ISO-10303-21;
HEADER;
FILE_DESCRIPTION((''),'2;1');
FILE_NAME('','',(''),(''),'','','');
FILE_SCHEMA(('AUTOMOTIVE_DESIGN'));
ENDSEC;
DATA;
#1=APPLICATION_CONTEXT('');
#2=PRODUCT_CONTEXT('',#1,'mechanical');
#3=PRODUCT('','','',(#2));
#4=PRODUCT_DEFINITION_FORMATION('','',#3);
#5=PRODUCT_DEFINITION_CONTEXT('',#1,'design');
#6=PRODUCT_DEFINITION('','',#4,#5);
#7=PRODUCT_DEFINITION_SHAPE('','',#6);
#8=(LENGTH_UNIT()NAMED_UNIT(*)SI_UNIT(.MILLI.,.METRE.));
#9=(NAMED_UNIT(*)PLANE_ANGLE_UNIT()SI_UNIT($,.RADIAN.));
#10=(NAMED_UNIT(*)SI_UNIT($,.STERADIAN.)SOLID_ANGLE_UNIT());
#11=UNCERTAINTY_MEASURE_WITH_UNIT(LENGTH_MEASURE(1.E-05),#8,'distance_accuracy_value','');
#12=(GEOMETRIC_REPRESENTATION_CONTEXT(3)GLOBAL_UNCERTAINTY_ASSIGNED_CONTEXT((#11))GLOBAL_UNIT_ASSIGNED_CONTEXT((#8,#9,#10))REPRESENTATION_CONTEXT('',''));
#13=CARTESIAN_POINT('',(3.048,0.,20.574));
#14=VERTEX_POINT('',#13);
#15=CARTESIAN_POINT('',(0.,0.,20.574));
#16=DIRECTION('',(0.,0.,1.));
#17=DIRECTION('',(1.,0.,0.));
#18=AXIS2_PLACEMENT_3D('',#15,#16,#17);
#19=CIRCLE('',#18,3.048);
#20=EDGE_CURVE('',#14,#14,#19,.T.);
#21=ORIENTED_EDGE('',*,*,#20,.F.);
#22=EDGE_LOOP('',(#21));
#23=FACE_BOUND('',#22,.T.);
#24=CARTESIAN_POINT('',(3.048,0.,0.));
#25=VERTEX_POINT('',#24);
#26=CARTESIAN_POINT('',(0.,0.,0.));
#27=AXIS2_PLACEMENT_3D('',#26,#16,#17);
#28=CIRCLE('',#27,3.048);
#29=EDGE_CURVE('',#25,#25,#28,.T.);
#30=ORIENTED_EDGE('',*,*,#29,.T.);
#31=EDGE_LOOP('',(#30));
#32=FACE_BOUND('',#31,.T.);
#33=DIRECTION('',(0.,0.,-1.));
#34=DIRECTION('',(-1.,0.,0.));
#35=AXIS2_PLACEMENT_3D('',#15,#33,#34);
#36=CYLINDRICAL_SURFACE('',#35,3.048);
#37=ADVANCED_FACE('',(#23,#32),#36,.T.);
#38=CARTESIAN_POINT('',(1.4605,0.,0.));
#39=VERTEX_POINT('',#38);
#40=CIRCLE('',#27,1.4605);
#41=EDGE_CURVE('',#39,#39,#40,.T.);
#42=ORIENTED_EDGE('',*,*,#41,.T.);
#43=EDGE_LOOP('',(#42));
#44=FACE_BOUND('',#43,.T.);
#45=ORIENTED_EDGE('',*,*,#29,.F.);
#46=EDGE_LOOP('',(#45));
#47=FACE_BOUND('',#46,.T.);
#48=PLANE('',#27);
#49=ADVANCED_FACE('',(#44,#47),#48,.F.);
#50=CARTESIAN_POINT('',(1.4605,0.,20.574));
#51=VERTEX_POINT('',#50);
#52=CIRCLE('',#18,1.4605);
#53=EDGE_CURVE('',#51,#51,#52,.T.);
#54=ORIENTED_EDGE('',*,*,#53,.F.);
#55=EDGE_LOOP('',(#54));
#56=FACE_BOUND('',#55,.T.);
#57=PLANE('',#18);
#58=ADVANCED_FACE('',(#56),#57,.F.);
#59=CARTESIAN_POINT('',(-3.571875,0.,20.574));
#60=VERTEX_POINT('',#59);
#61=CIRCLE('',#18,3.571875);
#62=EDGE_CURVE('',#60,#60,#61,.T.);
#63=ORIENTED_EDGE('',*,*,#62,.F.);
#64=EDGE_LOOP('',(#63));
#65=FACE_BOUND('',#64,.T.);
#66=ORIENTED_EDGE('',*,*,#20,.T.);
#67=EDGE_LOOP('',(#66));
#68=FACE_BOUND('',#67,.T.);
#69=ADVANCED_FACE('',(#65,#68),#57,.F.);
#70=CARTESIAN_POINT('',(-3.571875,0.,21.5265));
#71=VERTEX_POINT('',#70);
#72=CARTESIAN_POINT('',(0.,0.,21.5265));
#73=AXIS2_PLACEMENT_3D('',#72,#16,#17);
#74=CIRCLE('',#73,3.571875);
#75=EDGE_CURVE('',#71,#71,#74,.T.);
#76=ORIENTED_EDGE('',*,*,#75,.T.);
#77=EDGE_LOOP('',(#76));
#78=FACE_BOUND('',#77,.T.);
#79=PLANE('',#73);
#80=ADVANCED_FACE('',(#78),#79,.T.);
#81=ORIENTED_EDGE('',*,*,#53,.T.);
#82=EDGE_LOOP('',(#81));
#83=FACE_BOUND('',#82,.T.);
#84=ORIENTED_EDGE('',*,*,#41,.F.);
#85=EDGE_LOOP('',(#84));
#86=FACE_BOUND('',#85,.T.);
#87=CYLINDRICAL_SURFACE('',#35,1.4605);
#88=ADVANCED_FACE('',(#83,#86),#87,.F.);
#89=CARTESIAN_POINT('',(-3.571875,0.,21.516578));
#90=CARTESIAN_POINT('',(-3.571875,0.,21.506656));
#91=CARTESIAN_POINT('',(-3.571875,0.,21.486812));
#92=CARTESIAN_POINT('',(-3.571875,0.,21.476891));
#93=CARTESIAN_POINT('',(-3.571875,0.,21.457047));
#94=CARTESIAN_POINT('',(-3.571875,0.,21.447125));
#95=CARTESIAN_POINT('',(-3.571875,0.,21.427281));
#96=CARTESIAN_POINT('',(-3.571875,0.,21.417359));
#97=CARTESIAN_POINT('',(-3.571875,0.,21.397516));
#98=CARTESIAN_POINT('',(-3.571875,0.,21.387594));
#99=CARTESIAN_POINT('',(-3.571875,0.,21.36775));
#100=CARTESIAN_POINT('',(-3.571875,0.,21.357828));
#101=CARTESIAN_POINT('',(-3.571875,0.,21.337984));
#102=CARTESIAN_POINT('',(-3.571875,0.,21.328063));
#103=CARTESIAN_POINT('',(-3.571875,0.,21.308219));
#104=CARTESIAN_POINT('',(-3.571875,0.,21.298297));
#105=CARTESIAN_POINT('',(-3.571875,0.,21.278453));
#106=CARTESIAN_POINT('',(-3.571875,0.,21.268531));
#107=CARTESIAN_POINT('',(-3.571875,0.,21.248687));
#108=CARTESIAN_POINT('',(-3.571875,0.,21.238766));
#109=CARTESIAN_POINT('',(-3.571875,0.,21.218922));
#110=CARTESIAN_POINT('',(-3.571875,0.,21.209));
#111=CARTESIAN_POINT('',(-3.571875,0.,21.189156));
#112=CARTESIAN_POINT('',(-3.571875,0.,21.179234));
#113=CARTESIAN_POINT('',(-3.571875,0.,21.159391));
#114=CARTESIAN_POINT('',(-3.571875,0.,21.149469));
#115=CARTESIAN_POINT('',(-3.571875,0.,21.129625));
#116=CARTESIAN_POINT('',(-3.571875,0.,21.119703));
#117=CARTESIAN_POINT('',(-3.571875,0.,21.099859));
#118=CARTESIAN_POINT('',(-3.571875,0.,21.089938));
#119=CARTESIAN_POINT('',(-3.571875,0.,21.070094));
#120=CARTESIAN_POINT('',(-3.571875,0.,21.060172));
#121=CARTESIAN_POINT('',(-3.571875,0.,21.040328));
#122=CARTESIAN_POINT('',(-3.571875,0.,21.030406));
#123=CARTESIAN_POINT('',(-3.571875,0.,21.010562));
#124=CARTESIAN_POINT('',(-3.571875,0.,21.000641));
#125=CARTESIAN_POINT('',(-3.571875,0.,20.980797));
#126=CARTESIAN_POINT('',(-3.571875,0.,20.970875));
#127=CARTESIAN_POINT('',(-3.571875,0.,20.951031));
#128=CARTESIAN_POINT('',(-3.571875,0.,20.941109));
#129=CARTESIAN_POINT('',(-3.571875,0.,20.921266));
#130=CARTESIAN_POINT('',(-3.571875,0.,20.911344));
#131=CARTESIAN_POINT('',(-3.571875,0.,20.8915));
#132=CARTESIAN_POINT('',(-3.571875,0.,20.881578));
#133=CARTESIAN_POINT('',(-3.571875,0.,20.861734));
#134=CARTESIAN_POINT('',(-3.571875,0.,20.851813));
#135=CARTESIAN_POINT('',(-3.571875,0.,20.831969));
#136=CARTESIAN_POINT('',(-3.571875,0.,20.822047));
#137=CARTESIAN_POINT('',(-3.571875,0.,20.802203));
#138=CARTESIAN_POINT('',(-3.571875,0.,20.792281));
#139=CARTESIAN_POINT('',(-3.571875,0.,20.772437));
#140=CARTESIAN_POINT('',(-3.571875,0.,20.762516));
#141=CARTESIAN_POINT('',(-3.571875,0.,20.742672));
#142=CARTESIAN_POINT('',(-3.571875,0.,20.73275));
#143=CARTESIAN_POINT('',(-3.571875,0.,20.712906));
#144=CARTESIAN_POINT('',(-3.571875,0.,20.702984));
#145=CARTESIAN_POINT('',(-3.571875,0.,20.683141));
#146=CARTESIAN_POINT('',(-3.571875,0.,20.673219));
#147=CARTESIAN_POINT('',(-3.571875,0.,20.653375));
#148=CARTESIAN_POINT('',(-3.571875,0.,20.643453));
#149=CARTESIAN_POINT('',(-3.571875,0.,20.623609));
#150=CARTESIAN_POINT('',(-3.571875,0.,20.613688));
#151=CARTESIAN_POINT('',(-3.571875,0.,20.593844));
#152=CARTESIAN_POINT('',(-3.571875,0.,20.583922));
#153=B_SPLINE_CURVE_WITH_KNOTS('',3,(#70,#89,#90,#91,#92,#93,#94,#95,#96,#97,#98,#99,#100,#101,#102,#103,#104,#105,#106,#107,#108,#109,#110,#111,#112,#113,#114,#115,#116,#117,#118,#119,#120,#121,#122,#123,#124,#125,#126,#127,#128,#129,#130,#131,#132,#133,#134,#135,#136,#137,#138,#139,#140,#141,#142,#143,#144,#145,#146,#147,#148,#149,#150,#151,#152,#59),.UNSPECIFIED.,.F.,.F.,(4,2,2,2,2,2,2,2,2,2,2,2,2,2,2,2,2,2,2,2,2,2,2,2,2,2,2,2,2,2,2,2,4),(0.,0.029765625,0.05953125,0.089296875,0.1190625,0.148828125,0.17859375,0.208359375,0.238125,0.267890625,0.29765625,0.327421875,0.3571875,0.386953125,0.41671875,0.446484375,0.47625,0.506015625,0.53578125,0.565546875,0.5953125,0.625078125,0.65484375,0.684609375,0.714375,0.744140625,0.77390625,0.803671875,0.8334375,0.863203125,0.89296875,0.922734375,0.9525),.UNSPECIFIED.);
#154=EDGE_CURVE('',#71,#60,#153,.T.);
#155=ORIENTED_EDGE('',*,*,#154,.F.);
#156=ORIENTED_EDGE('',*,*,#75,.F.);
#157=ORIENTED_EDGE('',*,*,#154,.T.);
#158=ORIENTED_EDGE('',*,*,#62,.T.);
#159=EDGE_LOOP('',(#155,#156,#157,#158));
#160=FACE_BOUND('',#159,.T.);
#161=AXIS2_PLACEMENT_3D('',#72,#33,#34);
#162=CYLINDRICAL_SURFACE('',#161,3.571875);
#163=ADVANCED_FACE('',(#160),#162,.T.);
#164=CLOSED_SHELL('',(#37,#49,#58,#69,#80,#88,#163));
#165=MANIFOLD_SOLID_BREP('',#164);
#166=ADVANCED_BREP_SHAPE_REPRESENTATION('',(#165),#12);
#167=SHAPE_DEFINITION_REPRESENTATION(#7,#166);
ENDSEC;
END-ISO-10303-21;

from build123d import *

# Parameters (mm, degrees)
SKETCH1_R           = 3.048
SKETCH1_R_2         = 1.4605
BOSS_EXTRUDE1_DEPTH = 20.574
SKETCH2_R           = 3.571875
BOSS_EXTRUDE2_DEPTH = 0.9525


with BuildPart() as part:
    # Sketch1 → Boss-Extrude1 (new body)
    with BuildSketch(Plane.XY):
        Circle(SKETCH1_R)
        Circle(SKETCH1_R_2, mode=Mode.SUBTRACT)
    extrude(amount=BOSS_EXTRUDE1_DEPTH)

    # Sketch2 → Boss-Extrude2 (add)
    with BuildSketch(Plane.XY.offset(20.574)):
        with Locations(Location((0, 0, 0), (0, 0, 180))):
            Circle(SKETCH2_R)
    extrude(amount=BOSS_EXTRUDE2_DEPTH)


solid = part.part
